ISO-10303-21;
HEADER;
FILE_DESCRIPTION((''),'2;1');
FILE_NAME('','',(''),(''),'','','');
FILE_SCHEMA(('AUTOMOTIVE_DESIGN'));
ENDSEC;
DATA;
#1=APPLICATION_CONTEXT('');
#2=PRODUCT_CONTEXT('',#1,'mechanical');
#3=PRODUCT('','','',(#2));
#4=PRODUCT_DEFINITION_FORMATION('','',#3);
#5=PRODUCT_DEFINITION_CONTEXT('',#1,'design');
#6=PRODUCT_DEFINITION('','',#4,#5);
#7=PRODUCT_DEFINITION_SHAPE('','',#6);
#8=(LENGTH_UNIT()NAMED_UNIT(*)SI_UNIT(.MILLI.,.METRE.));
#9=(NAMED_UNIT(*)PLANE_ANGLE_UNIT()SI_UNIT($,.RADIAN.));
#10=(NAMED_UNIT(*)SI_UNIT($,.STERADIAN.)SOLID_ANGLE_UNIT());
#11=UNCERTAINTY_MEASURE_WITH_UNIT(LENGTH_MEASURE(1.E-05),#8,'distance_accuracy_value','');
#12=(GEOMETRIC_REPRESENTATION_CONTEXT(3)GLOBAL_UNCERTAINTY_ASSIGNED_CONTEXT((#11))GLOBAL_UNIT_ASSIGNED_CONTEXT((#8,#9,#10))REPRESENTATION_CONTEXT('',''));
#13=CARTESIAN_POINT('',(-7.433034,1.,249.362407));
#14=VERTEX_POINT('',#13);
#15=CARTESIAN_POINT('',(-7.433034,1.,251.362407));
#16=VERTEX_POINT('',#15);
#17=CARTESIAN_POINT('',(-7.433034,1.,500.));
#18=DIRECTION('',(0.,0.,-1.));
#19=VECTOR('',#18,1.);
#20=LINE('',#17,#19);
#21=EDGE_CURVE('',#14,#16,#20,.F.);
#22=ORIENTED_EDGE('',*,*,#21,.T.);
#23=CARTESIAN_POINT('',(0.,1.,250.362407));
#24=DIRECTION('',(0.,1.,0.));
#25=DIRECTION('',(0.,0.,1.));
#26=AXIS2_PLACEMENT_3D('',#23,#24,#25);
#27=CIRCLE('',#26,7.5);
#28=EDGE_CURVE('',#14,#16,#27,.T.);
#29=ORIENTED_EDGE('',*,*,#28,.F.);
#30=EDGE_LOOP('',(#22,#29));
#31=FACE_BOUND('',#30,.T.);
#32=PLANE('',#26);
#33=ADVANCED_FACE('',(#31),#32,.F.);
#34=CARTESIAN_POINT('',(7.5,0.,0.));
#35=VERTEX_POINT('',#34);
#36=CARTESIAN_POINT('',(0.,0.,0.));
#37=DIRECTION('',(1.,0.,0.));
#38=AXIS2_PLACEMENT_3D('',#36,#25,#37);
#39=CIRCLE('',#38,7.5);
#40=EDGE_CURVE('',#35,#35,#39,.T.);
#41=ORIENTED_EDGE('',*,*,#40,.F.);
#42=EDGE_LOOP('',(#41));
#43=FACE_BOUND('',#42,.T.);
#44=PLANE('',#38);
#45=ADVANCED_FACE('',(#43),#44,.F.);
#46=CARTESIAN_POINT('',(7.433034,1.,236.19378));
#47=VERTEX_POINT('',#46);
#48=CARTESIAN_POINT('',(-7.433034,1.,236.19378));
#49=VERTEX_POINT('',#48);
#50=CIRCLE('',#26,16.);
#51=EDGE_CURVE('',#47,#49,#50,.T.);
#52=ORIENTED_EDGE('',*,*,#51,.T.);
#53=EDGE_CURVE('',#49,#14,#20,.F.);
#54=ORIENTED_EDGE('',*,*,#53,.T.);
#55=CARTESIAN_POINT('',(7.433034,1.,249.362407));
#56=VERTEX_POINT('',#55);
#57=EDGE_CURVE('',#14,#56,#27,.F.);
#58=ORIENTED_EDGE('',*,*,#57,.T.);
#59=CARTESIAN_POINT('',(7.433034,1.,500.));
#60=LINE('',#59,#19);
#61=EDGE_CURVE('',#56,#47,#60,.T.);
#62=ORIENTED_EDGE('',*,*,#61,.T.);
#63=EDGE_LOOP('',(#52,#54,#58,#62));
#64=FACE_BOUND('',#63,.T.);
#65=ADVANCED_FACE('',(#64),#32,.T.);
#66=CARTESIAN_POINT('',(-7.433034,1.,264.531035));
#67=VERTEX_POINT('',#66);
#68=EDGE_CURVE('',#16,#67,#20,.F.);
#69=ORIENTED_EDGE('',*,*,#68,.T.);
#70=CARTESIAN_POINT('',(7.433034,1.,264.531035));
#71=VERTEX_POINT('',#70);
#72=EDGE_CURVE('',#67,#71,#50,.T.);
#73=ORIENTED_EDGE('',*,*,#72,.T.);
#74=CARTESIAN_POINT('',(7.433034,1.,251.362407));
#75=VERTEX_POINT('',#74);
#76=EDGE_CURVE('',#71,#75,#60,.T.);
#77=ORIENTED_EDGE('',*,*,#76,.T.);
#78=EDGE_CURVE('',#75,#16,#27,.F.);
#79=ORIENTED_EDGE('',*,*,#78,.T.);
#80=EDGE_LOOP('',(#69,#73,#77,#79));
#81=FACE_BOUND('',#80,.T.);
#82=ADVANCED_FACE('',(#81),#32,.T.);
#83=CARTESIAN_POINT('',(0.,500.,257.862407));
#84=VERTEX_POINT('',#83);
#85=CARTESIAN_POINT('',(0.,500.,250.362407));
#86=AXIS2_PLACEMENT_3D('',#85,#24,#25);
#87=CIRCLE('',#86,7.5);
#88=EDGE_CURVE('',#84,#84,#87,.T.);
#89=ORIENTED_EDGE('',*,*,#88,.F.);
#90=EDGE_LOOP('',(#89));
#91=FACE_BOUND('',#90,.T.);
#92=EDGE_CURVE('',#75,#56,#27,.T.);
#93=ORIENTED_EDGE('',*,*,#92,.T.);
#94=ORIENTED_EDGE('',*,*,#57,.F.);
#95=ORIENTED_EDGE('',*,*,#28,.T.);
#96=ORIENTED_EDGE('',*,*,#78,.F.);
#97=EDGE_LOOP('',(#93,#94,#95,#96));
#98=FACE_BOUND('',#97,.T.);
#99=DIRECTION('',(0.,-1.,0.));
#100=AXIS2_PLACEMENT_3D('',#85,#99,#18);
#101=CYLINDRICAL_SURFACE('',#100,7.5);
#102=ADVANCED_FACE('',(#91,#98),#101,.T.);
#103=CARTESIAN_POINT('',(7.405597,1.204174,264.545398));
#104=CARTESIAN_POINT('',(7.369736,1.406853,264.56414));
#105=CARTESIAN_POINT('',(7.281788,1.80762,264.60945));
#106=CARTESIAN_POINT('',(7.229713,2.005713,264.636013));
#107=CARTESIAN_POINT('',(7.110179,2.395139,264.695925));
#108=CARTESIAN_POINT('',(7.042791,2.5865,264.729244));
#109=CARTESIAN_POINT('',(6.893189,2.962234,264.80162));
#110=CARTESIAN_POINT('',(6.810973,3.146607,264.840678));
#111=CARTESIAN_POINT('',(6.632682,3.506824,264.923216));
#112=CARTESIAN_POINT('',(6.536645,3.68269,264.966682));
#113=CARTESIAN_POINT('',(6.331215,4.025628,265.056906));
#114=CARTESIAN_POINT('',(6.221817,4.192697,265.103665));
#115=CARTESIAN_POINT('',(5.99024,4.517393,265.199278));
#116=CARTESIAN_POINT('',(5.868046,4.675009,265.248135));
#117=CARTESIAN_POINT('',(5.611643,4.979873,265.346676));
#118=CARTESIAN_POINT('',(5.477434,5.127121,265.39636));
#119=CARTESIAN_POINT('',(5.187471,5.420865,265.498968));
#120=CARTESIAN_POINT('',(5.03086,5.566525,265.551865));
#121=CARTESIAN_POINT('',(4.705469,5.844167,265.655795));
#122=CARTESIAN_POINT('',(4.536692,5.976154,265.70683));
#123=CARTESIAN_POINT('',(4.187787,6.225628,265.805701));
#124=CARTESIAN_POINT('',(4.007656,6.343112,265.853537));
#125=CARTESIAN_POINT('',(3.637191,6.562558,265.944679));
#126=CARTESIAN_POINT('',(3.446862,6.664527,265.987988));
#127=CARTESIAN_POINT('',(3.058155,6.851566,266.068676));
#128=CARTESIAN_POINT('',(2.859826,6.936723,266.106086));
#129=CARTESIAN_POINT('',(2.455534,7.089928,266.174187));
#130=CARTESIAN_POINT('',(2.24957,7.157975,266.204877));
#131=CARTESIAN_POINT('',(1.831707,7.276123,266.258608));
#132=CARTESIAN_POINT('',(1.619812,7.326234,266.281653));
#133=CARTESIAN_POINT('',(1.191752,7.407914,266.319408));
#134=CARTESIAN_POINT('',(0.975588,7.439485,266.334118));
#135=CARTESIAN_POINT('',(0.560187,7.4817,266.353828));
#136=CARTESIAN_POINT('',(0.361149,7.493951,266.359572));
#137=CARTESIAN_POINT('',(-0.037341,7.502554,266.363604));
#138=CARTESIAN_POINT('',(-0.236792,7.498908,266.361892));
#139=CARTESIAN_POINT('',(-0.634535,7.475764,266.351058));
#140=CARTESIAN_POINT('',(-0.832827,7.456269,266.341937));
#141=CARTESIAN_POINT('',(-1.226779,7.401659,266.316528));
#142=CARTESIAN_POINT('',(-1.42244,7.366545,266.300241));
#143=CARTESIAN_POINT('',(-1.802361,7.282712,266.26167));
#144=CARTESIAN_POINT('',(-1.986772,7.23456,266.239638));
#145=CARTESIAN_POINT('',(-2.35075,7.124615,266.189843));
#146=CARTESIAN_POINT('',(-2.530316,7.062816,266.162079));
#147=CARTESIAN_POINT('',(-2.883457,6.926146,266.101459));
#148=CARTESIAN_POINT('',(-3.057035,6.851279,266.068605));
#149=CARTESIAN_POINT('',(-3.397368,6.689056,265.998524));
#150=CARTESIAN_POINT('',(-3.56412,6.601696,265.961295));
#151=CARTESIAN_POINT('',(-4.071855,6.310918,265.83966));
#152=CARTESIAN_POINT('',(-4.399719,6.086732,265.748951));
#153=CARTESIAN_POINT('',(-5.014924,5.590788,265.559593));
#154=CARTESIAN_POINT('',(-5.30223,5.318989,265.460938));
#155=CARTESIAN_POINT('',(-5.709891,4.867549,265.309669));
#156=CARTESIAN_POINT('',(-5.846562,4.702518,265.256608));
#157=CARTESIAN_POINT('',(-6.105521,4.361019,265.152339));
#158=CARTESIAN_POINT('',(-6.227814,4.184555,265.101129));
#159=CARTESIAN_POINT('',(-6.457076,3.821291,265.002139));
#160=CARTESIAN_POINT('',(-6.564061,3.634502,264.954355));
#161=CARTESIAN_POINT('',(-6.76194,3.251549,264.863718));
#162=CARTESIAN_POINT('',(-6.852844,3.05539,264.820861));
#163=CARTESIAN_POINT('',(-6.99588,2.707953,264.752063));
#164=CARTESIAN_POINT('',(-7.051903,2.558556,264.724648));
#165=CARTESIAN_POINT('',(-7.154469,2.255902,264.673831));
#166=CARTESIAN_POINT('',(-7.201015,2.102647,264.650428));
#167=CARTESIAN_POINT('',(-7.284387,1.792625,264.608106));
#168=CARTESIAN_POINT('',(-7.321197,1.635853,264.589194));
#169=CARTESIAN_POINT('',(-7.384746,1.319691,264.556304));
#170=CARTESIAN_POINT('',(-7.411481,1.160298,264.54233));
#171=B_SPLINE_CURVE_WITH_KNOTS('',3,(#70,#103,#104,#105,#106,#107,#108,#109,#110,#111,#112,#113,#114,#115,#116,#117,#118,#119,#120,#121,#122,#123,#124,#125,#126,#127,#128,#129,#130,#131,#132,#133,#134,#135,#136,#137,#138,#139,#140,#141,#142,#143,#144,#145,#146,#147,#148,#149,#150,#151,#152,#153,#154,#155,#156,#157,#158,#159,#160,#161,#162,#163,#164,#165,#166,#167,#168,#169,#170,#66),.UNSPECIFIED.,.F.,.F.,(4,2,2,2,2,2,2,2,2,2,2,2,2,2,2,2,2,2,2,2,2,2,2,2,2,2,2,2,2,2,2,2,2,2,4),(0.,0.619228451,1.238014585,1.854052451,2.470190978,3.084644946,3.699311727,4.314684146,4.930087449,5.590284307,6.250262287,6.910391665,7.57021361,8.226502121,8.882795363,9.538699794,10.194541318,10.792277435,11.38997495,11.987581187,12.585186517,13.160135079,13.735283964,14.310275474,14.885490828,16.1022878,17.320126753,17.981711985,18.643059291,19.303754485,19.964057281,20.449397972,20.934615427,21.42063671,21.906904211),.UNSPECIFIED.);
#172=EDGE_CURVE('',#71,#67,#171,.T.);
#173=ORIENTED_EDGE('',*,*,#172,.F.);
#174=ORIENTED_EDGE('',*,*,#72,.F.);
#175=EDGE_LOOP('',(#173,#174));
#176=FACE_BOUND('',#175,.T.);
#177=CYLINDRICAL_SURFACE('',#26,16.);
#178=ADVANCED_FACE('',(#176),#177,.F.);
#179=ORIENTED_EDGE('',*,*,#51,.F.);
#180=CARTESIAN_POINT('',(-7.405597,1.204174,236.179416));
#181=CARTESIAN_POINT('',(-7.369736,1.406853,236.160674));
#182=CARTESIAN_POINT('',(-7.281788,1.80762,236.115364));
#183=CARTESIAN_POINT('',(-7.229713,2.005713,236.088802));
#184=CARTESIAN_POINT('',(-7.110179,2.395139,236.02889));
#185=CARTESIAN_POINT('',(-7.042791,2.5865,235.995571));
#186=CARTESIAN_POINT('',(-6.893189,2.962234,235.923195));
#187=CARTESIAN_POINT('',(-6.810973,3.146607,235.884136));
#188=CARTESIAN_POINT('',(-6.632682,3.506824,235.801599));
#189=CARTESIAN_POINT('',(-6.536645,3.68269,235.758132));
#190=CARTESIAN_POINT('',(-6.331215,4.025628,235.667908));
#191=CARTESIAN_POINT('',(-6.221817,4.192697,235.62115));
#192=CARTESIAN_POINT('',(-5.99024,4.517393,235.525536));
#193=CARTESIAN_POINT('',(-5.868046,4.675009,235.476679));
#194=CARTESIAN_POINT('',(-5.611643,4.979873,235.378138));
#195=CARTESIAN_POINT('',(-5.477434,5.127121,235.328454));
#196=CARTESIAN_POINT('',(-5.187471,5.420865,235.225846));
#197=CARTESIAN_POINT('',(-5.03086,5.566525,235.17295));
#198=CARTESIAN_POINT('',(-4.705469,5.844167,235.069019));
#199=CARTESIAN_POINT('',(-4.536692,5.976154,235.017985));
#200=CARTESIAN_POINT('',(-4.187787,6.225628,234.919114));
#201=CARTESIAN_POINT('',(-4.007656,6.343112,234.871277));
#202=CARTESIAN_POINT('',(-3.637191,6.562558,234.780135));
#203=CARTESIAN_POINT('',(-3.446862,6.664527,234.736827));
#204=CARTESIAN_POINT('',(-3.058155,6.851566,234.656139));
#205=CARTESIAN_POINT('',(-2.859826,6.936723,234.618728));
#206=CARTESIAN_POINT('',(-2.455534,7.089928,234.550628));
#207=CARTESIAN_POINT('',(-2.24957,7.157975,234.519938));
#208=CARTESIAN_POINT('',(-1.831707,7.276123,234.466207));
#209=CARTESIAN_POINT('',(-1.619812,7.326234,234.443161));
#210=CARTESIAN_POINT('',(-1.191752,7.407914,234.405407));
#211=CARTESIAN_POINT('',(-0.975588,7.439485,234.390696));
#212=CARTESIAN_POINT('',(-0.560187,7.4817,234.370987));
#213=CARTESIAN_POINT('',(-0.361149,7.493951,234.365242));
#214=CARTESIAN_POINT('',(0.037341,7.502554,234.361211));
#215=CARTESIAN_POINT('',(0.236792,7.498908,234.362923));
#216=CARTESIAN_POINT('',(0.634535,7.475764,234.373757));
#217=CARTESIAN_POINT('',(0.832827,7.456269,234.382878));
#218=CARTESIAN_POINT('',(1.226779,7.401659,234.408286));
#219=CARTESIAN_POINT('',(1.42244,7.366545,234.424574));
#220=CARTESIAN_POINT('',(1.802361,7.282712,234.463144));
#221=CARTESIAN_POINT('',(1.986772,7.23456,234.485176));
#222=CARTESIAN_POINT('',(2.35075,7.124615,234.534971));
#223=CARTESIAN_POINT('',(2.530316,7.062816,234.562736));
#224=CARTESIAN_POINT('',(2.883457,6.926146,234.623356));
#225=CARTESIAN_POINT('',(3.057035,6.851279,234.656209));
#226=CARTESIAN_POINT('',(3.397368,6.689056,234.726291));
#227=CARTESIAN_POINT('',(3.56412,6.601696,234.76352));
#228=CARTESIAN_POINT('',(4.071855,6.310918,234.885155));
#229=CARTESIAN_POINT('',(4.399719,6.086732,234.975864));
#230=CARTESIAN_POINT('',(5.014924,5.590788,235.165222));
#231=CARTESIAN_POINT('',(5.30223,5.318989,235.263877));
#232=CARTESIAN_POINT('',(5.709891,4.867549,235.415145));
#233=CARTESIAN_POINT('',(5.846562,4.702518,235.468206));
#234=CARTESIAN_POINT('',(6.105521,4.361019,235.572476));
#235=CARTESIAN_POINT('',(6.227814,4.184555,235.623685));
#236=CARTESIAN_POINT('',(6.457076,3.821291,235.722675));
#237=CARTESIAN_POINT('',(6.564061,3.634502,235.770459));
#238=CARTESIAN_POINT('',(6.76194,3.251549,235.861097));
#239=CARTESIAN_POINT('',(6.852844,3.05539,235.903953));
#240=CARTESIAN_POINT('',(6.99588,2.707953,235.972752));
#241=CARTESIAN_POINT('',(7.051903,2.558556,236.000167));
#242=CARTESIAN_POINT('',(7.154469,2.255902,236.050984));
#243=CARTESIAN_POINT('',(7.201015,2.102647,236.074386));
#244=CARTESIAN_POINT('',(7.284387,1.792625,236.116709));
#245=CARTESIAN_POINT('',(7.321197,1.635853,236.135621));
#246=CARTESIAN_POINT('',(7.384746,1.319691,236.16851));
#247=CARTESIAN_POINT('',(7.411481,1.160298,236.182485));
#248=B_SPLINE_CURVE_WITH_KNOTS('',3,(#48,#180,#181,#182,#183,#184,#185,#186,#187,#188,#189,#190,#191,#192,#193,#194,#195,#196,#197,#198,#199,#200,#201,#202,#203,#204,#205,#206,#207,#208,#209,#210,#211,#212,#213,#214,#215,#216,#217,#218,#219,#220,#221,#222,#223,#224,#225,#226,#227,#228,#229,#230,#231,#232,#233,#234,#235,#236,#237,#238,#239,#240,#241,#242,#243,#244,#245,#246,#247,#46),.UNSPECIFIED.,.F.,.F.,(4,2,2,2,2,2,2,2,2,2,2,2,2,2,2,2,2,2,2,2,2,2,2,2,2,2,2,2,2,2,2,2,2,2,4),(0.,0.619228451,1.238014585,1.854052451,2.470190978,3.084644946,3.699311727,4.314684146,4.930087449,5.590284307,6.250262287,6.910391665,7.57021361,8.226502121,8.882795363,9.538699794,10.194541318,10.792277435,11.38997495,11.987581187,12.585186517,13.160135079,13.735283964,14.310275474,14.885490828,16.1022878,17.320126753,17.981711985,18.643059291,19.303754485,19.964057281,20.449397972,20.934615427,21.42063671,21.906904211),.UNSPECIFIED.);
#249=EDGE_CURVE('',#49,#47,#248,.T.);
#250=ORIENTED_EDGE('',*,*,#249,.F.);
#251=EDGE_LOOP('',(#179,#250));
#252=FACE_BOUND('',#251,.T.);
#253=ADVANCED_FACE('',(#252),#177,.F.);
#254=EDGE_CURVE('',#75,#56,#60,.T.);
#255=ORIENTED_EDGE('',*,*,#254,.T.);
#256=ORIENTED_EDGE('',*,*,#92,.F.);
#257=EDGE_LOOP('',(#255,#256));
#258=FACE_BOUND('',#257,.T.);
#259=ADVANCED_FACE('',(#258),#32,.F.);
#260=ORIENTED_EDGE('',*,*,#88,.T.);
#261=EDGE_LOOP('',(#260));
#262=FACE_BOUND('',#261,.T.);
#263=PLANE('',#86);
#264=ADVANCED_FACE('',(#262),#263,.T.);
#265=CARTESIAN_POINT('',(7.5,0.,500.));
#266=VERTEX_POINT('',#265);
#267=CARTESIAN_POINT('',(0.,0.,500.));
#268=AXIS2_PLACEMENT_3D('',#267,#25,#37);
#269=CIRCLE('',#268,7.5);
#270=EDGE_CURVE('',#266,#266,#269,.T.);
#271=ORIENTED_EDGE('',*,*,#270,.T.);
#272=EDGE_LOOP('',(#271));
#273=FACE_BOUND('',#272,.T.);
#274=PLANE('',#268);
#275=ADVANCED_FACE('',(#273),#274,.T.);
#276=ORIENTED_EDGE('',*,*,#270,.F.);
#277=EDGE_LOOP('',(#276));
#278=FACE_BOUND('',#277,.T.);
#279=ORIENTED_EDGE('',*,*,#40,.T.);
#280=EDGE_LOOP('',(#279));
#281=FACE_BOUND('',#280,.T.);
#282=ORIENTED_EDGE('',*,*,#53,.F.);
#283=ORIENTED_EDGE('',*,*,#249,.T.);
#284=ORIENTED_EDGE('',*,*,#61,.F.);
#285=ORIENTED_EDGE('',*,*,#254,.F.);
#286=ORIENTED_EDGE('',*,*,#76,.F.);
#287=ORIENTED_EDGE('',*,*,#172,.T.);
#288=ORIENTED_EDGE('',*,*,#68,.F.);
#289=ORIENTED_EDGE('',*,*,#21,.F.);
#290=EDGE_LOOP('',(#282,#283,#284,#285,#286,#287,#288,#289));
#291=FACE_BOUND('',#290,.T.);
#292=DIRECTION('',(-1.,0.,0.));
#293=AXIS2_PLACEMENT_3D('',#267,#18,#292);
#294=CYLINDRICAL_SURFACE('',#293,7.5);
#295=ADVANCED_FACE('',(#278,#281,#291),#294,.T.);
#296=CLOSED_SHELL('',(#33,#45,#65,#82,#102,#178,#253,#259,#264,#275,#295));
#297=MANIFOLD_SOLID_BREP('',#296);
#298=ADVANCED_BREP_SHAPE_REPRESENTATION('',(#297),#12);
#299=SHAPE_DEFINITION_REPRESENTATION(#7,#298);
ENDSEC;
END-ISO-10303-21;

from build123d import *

# Parameters (mm, degrees)
SKETCH1_R           = 7.5
BOSS_EXTRUDE1_DEPTH = 500
SKETCH2_R           = 16
CUT_EXTRUDE1_DEPTH  = 15
SKETCH4_R           = 7.5
BOSS_EXTRUDE2_DEPTH = 499


with BuildPart() as part:
    # Sketch1 → Boss-Extrude1 (new body)
    with BuildSketch(Plane.XY):
        Circle(SKETCH1_R)
    extrude(amount=BOSS_EXTRUDE1_DEPTH)

    # Sketch2 → Cut-Extrude1 (cut)
    with BuildSketch(Plane(origin=(0, 16, 0), x_dir=(1, 0, 0), z_dir=(0, 1, 0))):
        with Locations((0, -250.362407272)):
            Circle(SKETCH2_R)
    extrude(amount=-CUT_EXTRUDE1_DEPTH, mode=Mode.SUBTRACT)

    # Sketch4 → Boss-Extrude2 (add)
    with BuildSketch(Plane(origin=(0, 1, 0), x_dir=(1, 0, 0), z_dir=(0, 1, 0))):
        with Locations((0, -250.362407272)):
            Circle(SKETCH4_R)
    extrude(amount=BOSS_EXTRUDE2_DEPTH)


solid = part.part
